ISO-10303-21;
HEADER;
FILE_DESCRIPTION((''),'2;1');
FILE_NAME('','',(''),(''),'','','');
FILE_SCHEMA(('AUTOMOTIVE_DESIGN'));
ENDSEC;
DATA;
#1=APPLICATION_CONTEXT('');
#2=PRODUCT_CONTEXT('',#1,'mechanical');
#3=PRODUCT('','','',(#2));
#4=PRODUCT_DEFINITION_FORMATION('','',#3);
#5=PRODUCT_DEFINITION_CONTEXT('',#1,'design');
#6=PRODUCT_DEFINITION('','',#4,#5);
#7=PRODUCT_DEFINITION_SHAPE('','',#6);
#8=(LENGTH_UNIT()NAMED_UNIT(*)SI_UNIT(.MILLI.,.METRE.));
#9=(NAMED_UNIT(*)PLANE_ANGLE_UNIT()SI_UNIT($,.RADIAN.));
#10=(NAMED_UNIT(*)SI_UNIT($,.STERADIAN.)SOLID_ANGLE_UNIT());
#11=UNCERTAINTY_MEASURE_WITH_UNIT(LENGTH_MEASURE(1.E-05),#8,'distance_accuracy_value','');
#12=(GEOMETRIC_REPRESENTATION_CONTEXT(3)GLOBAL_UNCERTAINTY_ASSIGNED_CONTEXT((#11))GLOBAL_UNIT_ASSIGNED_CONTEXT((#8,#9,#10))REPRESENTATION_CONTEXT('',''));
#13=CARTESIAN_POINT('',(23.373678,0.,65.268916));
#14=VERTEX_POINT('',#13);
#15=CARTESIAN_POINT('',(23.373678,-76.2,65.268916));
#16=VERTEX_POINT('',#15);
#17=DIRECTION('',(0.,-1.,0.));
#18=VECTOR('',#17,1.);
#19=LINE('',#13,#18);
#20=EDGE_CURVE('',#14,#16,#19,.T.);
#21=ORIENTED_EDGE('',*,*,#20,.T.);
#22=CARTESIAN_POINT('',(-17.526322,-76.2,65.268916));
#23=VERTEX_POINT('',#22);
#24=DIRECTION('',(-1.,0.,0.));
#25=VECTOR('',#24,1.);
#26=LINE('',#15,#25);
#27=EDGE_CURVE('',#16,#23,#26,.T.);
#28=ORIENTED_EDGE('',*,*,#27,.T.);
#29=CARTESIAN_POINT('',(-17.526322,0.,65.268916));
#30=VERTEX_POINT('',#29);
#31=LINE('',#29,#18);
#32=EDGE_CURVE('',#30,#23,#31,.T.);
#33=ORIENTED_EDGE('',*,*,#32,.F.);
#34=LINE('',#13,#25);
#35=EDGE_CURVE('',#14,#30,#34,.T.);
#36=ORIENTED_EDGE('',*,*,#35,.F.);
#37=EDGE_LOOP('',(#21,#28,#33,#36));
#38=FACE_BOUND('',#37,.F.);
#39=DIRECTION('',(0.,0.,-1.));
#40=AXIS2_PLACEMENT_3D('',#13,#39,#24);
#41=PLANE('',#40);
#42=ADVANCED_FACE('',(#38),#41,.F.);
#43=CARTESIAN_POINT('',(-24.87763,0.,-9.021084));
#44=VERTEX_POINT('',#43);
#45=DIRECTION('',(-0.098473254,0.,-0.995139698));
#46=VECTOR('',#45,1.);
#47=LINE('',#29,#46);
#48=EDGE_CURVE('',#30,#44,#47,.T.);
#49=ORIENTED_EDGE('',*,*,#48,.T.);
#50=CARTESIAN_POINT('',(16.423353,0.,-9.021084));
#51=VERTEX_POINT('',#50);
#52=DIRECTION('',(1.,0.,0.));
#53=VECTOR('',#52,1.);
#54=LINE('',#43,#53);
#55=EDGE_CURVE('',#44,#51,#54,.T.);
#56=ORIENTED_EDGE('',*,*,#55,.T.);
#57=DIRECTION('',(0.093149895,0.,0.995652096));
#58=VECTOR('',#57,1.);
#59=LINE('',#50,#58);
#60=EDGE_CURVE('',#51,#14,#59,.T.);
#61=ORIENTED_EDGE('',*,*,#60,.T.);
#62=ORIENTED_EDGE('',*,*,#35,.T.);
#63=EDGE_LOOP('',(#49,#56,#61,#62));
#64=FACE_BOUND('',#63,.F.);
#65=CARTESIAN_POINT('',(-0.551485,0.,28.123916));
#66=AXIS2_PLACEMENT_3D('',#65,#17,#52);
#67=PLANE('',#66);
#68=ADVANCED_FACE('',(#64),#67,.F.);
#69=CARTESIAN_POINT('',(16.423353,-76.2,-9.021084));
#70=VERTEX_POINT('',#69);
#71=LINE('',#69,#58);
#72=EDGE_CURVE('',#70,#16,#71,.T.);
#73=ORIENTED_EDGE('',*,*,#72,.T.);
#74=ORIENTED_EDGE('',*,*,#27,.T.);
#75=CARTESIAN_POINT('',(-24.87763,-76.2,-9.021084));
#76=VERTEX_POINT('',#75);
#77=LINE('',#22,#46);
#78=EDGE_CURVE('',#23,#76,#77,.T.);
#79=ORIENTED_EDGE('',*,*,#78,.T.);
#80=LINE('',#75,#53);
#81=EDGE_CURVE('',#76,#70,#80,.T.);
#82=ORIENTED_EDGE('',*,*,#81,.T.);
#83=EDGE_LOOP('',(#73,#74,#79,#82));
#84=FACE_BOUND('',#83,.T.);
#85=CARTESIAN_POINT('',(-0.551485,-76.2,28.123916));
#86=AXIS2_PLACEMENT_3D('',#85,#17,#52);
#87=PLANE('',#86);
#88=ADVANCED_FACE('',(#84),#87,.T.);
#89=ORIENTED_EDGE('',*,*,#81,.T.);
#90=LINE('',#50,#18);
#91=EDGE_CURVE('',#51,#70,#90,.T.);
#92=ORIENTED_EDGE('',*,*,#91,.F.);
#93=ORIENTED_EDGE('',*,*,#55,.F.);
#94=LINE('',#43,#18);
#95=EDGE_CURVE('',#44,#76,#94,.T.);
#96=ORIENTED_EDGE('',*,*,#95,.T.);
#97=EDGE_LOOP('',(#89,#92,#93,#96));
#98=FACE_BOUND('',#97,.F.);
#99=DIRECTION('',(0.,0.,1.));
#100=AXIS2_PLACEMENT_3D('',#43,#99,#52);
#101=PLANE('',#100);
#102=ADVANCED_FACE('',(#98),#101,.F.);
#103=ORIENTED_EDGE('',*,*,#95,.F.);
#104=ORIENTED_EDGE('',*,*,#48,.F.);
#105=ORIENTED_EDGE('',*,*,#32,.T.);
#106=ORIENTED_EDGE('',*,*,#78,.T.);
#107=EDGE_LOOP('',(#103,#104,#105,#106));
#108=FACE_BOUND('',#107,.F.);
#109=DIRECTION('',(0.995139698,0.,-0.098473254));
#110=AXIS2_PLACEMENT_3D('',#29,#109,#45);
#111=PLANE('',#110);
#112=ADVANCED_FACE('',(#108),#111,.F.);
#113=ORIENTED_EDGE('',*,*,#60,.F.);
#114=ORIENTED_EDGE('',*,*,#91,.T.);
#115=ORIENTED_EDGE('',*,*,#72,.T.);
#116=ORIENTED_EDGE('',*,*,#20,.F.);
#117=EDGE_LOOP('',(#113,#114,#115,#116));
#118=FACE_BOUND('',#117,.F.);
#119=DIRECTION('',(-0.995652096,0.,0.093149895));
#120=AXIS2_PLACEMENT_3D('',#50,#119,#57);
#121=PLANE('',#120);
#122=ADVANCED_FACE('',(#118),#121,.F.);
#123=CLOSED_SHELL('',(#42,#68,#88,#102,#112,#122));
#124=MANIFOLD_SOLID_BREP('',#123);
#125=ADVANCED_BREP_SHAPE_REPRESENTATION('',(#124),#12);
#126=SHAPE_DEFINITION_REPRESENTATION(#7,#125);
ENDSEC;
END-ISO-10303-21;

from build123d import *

# Parameters (mm, degrees)
F0_W     = 33.9496749554
F0_H     = 74.29
F1_DEPTH = 76.2


with BuildPart() as f1:
    # F0 (on Front) → F1 (new body)
    with BuildSketch(Plane.XZ):
        with Locations((-0.5514846322, 28.1239164163)):
            Rectangle(F0_W, F0_H)
        Polygon((23.3736778901, 65.2689164163), (16.4233528455, 65.2689164163), (16.4233528455, -9.0210835837), align=None)
        Polygon((-17.5263221099, -9.0210835837), (-17.5263221099, 65.2689164163), (-24.8776297376, -9.0210835837), align=None)
    extrude(amount=F1_DEPTH)


solid = f1.part
